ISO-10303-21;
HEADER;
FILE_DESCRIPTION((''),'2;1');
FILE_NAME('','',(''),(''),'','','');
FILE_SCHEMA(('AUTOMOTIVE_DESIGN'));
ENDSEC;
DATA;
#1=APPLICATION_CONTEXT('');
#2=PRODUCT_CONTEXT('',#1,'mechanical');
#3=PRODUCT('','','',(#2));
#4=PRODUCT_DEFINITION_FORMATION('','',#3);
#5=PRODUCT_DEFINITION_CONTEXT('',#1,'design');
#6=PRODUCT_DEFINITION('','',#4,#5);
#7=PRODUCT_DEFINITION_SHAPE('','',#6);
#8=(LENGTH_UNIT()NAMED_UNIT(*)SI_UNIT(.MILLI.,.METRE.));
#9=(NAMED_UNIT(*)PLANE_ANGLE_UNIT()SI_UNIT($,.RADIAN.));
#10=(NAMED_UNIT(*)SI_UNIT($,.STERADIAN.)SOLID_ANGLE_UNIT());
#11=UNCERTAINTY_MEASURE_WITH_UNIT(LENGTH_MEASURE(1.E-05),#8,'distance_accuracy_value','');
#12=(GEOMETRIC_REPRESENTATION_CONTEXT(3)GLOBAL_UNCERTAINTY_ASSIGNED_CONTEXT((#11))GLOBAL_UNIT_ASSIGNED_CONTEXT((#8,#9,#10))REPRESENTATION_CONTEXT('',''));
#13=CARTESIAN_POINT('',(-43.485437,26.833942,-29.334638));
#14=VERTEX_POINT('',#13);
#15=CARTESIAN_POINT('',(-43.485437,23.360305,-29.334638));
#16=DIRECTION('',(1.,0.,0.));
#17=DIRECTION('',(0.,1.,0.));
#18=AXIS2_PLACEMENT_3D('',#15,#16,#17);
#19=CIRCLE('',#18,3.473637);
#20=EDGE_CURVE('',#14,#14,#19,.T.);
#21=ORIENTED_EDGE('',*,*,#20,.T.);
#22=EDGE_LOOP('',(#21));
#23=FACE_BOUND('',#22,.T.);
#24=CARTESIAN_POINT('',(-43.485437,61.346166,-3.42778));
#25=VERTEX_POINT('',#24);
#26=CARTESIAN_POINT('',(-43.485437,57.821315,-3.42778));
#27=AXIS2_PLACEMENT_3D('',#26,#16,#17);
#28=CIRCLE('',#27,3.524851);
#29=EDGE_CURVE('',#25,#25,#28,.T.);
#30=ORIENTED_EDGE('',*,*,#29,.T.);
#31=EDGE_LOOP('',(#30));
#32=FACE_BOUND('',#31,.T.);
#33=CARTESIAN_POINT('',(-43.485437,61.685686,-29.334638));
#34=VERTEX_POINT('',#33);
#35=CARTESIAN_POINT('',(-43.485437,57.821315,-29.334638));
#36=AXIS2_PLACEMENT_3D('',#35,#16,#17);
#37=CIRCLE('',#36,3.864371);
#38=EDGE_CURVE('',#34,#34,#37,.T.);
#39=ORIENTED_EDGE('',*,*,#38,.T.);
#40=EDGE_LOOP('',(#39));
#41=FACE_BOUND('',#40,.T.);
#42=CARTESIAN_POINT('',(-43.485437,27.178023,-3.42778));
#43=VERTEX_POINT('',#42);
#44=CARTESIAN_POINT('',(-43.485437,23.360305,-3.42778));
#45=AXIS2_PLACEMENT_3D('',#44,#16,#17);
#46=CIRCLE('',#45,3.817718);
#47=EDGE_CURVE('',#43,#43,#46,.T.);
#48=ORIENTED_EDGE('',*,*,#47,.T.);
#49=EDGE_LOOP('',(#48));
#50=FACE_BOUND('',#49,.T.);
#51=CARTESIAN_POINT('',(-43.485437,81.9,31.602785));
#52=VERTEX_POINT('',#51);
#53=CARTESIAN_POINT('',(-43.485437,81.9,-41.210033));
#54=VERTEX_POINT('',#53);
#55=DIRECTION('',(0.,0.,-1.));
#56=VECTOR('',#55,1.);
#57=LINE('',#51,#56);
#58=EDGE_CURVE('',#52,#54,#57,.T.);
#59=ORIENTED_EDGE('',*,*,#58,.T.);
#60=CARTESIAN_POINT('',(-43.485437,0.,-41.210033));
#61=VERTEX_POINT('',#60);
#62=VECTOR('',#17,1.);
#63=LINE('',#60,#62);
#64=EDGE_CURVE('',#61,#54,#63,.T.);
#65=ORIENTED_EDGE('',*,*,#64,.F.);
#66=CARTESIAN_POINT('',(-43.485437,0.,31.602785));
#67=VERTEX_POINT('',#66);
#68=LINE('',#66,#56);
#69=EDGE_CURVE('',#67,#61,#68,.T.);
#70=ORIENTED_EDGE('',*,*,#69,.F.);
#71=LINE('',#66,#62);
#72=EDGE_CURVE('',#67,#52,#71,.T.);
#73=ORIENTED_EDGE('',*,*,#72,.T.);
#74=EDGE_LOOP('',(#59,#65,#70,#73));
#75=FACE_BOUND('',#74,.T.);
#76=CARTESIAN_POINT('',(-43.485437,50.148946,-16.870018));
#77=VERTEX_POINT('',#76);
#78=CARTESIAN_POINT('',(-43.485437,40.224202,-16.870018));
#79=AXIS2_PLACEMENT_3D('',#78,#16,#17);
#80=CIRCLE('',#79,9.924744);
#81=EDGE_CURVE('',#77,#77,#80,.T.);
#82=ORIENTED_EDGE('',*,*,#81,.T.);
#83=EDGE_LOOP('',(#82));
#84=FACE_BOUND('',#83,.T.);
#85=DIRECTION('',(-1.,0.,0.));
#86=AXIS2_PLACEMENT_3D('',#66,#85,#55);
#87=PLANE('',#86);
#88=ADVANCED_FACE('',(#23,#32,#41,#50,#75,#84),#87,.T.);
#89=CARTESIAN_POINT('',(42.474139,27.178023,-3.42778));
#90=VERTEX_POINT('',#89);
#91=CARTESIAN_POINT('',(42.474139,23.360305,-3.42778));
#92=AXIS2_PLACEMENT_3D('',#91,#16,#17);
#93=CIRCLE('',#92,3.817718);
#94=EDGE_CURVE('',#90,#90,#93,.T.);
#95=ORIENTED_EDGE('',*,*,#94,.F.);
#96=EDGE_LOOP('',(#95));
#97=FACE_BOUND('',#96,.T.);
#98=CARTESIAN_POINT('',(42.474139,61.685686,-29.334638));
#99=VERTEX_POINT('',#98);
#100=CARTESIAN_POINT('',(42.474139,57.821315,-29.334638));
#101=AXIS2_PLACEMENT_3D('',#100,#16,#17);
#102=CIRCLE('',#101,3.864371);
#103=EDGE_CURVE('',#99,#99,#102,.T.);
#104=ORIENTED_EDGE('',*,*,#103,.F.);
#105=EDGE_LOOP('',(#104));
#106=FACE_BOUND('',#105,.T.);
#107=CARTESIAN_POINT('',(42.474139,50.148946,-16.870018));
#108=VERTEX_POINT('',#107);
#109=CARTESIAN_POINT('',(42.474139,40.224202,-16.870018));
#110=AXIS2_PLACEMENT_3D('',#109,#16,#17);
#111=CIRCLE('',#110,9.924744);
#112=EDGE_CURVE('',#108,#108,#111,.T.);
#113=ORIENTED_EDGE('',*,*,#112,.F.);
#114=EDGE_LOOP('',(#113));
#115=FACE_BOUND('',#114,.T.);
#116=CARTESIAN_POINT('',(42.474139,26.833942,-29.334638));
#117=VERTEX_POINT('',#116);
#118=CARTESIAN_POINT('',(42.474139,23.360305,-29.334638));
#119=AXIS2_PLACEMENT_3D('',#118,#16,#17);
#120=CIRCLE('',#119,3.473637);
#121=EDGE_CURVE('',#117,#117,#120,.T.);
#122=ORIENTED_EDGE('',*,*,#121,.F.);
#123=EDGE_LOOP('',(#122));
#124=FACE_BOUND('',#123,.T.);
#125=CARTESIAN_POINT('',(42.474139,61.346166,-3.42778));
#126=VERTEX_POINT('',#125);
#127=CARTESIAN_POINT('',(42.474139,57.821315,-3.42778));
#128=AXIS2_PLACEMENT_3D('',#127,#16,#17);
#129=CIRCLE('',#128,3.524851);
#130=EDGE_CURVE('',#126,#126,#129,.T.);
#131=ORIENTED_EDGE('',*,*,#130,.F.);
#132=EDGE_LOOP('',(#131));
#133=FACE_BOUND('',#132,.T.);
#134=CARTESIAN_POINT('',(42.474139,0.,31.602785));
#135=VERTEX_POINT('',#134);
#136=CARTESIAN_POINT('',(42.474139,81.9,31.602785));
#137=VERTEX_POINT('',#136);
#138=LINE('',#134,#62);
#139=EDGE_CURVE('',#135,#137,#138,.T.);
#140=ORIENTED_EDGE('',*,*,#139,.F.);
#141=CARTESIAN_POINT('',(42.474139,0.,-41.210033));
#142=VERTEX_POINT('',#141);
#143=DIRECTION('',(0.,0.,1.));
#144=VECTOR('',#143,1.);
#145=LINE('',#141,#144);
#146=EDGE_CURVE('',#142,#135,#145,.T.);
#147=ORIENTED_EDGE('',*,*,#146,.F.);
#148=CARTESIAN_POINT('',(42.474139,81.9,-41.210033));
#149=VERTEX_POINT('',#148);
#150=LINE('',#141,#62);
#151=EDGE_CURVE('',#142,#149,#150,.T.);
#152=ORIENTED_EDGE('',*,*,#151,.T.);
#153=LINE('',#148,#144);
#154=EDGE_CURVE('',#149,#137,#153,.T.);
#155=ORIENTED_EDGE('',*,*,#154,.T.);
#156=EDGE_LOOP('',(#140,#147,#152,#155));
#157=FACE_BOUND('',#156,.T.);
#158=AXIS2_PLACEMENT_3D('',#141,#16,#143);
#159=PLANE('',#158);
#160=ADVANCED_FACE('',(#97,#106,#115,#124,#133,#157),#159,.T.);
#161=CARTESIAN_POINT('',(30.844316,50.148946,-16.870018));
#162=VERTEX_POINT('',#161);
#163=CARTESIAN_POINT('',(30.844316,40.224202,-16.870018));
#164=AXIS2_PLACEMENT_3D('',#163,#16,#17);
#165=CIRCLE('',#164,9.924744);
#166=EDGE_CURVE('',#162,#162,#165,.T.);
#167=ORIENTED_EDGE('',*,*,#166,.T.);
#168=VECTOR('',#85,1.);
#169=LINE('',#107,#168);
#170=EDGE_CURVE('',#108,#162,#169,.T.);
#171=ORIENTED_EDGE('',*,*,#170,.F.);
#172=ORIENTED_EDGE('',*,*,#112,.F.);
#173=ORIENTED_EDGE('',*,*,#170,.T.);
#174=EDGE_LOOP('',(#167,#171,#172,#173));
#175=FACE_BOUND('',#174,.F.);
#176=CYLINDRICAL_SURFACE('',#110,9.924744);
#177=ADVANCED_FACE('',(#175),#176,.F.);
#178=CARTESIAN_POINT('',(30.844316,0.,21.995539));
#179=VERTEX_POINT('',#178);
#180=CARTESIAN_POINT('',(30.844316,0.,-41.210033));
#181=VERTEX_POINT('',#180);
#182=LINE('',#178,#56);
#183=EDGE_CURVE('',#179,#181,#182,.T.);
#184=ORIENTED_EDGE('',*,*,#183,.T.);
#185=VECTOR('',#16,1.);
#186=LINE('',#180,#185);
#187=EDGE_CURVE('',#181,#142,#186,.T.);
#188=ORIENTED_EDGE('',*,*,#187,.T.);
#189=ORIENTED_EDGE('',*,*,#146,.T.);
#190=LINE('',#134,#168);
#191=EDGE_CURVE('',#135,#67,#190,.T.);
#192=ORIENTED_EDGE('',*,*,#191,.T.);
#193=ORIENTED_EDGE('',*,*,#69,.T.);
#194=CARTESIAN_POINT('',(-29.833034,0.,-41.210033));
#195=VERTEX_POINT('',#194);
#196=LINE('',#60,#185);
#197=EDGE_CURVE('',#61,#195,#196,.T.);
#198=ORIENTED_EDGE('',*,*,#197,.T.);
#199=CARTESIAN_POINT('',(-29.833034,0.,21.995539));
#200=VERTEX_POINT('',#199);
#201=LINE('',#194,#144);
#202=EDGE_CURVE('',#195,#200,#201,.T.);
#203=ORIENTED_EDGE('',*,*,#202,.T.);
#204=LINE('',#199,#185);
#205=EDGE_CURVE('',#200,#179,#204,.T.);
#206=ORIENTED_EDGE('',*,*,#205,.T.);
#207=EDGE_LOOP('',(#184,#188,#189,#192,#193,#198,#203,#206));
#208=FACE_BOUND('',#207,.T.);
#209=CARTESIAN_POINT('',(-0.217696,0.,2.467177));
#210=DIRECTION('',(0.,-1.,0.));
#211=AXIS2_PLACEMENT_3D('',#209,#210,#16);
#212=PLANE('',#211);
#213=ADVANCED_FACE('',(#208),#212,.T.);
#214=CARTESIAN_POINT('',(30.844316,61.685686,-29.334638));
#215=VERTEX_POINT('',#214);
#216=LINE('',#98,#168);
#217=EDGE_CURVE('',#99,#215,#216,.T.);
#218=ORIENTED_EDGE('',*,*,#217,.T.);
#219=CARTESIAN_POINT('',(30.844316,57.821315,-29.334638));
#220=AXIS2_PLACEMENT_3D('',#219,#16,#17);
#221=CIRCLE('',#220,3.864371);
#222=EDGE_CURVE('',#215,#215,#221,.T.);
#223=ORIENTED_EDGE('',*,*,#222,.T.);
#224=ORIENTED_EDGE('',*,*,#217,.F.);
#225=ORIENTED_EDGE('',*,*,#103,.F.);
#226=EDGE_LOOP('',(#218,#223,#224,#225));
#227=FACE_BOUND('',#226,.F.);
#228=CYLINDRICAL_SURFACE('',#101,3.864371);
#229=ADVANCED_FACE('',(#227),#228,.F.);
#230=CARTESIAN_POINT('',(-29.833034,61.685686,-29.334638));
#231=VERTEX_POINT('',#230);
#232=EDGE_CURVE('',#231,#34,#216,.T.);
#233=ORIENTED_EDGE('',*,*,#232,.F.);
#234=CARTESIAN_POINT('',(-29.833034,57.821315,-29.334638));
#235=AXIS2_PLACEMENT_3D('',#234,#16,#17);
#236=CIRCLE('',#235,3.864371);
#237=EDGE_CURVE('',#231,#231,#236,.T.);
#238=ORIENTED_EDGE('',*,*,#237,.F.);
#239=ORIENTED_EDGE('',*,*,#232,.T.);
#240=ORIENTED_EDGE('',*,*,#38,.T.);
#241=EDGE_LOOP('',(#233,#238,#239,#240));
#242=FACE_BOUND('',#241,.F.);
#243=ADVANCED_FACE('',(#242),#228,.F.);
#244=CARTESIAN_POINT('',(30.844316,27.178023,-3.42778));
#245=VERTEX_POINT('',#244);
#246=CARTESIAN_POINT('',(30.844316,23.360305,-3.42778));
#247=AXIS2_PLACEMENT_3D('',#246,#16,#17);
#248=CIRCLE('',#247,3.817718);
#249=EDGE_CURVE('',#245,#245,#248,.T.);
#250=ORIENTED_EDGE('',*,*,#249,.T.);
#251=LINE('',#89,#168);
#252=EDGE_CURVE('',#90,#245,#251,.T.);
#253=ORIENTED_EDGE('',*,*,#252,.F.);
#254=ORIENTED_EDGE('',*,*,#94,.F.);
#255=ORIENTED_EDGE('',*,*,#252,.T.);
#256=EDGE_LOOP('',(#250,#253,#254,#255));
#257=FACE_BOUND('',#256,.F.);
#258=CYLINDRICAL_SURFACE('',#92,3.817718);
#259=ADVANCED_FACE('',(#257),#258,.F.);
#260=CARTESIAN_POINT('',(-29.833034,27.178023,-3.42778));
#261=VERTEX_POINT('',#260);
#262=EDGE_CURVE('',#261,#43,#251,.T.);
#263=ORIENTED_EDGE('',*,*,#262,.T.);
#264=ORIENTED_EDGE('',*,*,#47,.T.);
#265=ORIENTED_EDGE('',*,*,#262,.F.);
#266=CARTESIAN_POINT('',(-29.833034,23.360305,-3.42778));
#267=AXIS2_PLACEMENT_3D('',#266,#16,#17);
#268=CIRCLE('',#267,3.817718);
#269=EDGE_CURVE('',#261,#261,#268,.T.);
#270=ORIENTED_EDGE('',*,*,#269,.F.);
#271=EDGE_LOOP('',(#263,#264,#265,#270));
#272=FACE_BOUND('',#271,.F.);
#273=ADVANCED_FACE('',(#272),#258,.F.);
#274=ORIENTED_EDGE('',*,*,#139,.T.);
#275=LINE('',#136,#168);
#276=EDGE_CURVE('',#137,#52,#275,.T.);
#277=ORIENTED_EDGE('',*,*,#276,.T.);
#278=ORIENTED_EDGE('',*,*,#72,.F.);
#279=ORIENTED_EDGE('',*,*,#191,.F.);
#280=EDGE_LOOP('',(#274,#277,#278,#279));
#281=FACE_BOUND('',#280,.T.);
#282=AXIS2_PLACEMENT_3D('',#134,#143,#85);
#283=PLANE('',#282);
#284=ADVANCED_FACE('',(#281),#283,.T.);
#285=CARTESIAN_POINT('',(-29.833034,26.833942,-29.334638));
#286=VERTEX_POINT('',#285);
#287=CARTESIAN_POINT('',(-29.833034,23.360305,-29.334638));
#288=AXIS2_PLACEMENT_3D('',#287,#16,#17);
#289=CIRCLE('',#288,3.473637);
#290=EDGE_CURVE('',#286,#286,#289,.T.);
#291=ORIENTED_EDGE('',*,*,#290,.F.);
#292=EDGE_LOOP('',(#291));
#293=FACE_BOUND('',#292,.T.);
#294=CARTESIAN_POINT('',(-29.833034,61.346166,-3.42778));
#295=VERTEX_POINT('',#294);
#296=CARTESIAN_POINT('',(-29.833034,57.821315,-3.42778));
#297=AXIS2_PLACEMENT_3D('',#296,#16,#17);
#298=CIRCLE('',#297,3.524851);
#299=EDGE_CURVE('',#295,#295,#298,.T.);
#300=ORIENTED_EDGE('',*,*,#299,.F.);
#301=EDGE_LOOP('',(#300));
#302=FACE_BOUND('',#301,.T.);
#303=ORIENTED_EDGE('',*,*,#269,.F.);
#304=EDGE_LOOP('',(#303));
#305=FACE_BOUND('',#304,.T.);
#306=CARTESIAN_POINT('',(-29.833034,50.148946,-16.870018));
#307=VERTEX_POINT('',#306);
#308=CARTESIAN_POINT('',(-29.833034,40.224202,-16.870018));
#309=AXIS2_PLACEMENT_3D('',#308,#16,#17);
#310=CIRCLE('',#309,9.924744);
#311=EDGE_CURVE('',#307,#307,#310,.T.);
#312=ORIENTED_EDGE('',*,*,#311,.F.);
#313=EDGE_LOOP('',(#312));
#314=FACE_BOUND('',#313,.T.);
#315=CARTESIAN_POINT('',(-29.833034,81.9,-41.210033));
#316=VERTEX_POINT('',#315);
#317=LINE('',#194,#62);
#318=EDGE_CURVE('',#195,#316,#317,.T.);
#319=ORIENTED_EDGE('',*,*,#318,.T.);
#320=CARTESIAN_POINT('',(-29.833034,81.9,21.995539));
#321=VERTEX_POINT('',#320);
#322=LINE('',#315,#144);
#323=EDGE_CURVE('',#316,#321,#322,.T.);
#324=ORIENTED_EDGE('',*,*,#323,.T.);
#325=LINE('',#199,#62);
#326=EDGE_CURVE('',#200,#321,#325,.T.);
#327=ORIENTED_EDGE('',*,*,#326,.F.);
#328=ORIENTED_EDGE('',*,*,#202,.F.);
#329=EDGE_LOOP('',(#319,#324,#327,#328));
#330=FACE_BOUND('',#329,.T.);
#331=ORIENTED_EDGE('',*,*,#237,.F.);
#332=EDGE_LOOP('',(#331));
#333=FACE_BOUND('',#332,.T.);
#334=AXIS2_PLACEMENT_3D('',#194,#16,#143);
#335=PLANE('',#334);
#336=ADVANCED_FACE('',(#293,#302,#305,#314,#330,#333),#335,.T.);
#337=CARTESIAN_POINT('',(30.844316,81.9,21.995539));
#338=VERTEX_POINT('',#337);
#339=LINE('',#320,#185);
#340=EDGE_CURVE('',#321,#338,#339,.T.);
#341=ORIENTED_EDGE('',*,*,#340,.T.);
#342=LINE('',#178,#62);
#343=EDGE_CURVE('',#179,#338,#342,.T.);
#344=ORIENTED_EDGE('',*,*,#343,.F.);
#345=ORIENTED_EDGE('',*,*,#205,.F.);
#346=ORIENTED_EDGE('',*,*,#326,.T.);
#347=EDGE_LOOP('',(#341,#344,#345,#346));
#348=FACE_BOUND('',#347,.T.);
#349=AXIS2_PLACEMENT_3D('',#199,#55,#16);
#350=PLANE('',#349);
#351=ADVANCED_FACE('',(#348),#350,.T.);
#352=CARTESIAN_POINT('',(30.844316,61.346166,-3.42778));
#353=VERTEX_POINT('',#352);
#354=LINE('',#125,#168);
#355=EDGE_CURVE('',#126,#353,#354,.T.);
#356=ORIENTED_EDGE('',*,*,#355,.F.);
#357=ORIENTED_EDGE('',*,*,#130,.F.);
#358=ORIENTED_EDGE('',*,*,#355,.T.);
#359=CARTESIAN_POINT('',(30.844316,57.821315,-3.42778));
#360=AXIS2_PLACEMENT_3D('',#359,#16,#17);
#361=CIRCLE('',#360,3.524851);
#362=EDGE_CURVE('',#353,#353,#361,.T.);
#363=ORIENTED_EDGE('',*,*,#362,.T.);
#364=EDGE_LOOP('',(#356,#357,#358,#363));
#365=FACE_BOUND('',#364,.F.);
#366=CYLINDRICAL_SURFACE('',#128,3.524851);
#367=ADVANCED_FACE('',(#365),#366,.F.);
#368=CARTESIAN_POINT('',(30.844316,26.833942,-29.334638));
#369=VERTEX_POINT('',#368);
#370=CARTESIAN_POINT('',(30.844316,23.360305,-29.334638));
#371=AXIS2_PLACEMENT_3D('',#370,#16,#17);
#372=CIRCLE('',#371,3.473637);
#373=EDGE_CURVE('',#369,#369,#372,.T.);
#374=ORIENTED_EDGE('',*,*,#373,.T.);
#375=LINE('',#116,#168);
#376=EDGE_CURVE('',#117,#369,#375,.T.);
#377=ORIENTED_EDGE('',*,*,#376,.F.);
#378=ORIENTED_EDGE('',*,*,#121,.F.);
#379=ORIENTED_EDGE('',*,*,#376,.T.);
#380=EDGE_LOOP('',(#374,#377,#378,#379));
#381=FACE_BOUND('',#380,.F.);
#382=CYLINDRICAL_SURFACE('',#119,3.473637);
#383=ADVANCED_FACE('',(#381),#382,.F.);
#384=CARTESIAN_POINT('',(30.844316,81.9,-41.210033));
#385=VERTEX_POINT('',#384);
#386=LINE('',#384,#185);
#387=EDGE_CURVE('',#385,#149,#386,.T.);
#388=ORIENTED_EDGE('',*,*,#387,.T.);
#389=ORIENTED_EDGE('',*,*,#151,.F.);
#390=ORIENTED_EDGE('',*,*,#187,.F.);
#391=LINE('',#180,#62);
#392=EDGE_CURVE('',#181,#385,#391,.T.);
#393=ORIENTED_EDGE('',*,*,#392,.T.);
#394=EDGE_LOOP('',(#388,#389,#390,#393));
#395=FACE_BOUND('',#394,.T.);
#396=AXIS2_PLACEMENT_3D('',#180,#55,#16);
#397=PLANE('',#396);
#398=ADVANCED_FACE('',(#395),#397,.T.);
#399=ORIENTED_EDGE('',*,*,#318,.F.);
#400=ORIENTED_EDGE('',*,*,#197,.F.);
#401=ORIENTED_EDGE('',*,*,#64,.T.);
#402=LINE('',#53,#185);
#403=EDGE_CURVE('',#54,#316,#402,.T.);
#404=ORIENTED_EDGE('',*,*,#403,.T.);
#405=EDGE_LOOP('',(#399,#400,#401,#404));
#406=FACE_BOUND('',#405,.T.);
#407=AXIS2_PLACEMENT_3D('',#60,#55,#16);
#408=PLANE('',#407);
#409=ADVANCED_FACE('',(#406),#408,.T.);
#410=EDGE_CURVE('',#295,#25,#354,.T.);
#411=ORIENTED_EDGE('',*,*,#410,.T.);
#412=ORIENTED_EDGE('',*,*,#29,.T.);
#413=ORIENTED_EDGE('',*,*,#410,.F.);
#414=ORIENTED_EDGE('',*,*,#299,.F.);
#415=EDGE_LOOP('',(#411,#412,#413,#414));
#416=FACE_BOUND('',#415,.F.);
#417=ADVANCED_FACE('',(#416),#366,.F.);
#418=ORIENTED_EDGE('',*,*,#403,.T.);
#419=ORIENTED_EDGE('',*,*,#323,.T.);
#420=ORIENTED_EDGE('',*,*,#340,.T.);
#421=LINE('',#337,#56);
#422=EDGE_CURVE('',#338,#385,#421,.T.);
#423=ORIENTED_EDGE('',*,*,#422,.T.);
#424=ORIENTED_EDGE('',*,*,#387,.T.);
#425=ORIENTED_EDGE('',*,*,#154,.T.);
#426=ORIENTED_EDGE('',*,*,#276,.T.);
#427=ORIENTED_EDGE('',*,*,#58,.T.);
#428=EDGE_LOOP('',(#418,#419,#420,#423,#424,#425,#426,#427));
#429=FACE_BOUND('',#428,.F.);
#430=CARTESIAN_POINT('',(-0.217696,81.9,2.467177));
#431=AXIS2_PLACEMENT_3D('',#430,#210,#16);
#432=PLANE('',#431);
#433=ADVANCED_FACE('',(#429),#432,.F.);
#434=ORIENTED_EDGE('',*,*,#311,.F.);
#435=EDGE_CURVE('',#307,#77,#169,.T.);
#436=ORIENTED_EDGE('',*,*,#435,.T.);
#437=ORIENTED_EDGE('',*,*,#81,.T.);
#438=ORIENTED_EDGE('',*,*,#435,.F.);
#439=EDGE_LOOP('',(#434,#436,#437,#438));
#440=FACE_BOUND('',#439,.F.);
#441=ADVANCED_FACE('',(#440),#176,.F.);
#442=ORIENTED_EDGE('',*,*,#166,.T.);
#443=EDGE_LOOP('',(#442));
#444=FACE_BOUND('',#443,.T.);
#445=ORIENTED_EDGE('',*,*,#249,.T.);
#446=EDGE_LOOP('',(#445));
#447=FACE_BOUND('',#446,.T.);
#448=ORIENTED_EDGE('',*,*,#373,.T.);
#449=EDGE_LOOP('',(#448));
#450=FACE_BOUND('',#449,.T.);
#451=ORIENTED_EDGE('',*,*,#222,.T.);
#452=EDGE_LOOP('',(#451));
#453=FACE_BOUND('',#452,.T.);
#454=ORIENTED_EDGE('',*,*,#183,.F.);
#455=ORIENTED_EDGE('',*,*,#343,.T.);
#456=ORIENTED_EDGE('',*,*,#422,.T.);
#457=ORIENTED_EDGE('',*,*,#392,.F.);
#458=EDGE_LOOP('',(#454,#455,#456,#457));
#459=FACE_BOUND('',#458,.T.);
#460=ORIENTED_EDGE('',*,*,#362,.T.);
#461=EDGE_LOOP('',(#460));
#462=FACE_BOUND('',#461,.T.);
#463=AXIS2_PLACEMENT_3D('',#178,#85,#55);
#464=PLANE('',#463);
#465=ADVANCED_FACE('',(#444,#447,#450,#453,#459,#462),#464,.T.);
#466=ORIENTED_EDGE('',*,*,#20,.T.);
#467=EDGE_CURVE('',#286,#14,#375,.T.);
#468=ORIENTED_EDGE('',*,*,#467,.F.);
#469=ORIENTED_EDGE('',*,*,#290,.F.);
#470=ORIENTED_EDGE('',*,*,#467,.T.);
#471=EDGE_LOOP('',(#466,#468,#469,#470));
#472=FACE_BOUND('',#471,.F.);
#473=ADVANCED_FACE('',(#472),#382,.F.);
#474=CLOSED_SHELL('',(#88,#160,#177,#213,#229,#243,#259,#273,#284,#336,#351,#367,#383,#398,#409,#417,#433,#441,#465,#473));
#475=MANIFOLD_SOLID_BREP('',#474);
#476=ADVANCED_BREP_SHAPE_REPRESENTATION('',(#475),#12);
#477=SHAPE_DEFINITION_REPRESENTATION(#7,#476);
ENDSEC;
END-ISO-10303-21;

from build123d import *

# Parameters (mm, degrees)
F1_DEPTH = 81.9
F2_R     = 9.924744
F2_R_2   = 3.817718
F2_R_3   = 3.473637
F2_R_4   = 3.524851
F2_R_5   = 3.864371
F3_DEPTH = 140.3


with BuildPart() as f1:
    # F0 (on Front) → F1 (new body)
    with BuildSketch(Plane.XZ):
        Polygon((42.474139, 31.602785), (-43.485437, 31.602785), (-43.485437, -41.210033), (-29.833034, -41.210033), (-29.833034, 21.995539), (30.844316, 21.995539), (30.844316, -41.210033), (42.474139, -41.210033), align=None)
    extrude(amount=-F1_DEPTH)

    # F2 (on face) → F3 (cut)
    with BuildSketch(Plane.YZ.offset(42.474139)):
        with Locations((40.224202, -16.870018)):
            Circle(F2_R)
        with Locations((23.360305, -3.42778)):
            Circle(F2_R_2)
        with Locations((23.360305, -29.334638)):
            Circle(F2_R_3)
        with Locations((57.821315, -3.42778)):
            Circle(F2_R_4)
        with Locations((57.821315, -29.334638)):
            Circle(F2_R_5)
    extrude(amount=-F3_DEPTH, mode=Mode.SUBTRACT)


solid = f1.part
